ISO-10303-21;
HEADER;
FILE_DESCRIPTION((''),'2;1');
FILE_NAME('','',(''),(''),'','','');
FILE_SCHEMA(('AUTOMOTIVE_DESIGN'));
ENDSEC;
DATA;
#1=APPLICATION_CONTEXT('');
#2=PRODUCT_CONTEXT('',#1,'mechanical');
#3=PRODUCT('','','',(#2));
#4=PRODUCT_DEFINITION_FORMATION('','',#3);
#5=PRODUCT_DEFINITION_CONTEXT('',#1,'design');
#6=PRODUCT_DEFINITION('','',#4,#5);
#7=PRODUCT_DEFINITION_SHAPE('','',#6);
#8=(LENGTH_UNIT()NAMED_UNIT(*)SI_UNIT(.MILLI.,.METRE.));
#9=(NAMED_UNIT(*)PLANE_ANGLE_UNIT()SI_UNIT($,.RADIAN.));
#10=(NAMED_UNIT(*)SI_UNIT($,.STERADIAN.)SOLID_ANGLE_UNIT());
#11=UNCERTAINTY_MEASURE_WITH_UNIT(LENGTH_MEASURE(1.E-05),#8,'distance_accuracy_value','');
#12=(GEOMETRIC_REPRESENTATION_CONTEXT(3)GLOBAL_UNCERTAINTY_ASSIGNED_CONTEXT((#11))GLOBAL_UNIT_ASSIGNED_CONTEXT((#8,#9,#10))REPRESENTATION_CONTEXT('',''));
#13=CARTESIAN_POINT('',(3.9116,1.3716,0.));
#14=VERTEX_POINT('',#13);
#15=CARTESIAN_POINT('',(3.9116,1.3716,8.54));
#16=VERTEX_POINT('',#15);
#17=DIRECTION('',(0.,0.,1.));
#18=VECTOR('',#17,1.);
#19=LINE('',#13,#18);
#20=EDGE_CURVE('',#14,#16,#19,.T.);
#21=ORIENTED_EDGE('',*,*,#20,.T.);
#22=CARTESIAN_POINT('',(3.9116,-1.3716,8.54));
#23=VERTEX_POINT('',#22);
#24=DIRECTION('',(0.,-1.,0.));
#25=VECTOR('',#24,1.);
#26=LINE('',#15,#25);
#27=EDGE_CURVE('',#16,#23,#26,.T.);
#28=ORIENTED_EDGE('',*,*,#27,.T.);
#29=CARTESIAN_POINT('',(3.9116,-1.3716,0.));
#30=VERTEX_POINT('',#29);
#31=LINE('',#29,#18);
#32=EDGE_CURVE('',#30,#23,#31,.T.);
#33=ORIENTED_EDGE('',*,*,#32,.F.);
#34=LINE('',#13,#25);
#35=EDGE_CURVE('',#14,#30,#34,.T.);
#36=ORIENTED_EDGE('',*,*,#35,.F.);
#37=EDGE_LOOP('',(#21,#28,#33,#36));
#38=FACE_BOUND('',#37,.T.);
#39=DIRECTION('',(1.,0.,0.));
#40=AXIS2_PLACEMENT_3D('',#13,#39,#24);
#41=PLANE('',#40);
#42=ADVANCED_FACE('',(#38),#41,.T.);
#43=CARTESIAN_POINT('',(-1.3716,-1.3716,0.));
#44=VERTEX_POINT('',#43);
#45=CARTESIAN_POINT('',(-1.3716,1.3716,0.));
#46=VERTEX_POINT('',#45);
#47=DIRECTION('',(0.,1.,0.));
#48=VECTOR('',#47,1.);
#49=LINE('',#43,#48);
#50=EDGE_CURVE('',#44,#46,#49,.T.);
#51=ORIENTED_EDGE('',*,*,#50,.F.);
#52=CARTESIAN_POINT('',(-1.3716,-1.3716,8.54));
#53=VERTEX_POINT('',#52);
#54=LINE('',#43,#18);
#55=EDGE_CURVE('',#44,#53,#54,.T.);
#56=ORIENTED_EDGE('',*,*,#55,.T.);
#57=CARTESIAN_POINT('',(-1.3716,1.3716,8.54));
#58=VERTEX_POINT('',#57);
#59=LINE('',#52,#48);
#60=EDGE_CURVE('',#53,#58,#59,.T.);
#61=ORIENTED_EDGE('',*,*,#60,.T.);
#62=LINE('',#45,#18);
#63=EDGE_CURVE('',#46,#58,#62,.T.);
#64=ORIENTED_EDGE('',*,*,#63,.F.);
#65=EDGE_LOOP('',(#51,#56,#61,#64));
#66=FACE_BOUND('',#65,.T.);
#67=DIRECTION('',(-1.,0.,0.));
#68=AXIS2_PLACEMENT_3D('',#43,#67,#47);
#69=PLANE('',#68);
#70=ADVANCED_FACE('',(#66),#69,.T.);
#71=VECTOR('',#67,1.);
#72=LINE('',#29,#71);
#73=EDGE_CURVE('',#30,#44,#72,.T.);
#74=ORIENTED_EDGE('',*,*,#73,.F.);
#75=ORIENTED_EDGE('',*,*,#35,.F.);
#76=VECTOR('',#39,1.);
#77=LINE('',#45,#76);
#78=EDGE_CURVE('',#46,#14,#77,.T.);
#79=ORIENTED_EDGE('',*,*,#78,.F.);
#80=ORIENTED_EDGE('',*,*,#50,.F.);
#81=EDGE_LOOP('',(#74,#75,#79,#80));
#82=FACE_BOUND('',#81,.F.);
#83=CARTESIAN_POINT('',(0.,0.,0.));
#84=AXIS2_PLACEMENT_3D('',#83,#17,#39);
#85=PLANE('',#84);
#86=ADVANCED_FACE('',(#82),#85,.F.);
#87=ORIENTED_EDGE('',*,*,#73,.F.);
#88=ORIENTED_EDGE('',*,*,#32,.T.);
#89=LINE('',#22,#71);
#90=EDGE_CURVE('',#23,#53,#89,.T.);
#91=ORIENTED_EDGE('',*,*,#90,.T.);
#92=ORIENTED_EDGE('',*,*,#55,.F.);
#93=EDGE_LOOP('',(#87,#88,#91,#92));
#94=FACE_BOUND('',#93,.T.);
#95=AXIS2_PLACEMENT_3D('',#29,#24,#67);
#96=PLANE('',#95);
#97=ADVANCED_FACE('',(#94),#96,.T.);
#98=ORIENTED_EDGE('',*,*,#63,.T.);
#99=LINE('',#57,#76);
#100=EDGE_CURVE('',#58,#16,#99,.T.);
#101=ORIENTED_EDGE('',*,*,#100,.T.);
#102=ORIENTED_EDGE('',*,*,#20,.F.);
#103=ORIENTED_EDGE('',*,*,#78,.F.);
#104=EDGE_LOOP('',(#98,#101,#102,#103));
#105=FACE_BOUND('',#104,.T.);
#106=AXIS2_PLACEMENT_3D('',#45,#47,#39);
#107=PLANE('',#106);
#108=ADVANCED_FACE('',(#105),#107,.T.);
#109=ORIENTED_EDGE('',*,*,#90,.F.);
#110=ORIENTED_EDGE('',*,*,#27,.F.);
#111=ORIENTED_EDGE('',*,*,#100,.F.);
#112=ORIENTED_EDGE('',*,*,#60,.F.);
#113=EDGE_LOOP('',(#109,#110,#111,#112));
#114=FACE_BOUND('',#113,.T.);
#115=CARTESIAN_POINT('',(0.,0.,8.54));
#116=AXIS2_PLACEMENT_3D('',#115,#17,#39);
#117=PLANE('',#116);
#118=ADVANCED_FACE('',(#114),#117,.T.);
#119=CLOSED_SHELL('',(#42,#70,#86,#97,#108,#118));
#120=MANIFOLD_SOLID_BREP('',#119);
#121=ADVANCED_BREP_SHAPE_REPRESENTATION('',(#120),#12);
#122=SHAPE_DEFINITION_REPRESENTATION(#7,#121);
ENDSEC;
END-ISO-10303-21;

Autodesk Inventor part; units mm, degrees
ref_plane "YZ Plane" through (0, 0, 0) normal (1, 0, 0) x (0, 1, 0)
ref_plane "XZ Plane" through (0, 0, 0) normal (0, 1, 0) x (-1, 0, 0)
ref_plane "XY Plane" through (0, 0, 0) normal (0, 0, 1) x (1, 0, 0)
sketch "1X02, M02PTH_177" plane through (0, 0, 0) normal (0, 0, 1) x (1, 0, 0)
  line L0 (3.9116, -1.3716) -> (-1.3716, -1.3716)
  line L1 (-1.3716, -1.3716) -> (-1.3716, 1.3716)
  line L2 (-1.3716, 1.3716) -> (3.9116, 1.3716)
  line L3 (3.9116, 1.3716) -> (3.9116, -1.3716)
extrude "Extrusion1" add sketch "1X02, M02PTH_177" along normal blind 8.54
properties part number "M02PTH"
